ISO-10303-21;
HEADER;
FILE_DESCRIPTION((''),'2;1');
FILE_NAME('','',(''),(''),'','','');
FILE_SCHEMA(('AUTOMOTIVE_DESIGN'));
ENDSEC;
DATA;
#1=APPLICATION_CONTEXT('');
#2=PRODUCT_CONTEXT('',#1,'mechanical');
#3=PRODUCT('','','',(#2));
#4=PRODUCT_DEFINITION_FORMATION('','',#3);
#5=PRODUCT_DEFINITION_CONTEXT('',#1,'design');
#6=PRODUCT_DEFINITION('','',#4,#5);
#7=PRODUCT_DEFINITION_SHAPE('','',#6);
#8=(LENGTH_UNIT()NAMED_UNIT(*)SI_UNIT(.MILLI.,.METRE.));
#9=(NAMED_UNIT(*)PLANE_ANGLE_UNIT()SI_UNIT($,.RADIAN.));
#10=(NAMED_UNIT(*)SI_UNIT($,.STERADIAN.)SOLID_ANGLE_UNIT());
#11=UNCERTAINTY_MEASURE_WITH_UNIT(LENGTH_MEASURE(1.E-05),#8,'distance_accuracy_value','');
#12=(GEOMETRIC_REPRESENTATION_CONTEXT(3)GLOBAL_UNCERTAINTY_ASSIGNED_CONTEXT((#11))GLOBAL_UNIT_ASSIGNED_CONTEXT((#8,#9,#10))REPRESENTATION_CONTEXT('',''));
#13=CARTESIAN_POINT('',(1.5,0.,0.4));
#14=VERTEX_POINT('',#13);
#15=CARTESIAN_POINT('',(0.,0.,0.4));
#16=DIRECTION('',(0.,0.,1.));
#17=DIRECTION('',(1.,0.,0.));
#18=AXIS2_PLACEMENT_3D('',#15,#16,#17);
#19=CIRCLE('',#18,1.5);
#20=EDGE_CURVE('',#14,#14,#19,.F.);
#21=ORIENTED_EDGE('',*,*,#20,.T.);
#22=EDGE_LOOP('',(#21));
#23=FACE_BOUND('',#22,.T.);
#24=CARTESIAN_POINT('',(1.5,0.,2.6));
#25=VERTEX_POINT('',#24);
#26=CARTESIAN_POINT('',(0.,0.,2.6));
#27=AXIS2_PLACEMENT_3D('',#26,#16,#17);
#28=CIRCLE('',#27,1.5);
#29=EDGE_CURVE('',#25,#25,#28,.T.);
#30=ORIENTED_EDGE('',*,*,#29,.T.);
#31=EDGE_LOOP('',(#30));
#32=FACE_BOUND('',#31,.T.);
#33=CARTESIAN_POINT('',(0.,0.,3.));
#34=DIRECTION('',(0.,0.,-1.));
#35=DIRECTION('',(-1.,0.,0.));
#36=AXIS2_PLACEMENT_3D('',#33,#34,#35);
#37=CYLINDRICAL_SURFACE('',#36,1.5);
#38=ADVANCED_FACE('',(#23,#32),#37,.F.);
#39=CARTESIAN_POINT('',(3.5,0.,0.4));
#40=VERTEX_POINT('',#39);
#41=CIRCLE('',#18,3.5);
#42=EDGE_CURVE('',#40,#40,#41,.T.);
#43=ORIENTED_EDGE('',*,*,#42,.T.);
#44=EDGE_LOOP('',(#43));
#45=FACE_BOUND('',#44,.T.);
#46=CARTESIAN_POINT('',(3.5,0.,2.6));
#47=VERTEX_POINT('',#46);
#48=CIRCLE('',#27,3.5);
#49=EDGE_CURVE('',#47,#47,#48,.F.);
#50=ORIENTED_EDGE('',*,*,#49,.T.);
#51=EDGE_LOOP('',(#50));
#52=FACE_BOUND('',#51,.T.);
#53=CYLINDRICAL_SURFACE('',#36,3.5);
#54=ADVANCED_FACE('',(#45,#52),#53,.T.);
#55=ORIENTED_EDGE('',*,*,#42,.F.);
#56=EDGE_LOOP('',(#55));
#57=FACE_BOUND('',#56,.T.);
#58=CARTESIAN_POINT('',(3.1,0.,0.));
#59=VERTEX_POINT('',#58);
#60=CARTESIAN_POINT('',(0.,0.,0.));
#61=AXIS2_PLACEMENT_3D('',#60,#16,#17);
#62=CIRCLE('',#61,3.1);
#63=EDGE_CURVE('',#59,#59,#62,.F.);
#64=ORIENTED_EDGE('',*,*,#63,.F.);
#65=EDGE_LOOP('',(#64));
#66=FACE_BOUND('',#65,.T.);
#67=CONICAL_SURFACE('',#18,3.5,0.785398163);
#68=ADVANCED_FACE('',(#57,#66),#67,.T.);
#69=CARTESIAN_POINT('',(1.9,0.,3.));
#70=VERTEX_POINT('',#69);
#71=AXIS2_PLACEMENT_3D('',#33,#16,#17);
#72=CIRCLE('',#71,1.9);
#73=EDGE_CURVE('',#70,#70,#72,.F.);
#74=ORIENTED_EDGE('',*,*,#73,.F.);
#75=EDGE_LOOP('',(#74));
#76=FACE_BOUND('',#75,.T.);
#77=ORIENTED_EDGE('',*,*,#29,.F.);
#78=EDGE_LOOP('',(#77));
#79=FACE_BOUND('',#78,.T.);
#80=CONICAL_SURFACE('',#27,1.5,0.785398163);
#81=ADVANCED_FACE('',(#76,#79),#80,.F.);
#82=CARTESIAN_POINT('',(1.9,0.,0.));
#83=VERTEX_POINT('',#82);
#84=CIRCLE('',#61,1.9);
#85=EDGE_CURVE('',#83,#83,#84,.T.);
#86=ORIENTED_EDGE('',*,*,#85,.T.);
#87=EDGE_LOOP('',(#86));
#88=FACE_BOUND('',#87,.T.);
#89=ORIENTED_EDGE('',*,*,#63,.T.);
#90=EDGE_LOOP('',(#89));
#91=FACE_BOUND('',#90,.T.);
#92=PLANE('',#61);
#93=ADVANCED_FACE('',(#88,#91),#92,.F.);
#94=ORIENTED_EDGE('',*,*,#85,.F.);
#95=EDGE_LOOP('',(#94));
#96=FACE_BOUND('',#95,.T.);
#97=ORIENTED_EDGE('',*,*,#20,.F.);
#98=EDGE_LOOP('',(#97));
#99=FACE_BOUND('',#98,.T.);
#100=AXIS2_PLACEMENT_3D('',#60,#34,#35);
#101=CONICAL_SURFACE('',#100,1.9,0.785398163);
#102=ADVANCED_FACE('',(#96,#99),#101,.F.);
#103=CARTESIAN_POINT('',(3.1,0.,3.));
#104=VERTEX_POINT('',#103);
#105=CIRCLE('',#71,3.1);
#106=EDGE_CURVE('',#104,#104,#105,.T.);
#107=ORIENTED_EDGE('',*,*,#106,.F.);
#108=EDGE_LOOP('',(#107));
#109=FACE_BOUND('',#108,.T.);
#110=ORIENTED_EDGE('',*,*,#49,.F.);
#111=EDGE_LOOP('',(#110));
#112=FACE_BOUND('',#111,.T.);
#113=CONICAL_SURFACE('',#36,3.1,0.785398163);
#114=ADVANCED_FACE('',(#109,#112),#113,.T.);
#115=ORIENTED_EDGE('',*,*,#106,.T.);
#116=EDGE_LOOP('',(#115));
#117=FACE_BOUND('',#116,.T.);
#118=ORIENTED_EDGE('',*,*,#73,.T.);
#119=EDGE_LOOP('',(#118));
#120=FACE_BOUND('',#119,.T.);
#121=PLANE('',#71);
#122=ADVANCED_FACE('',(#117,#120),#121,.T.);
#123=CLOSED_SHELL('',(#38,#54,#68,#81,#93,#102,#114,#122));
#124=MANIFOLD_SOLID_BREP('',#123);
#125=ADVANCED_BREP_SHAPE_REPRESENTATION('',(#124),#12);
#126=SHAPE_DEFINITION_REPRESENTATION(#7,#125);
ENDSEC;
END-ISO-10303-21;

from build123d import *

# Parameters (mm, degrees)
SKETCH_1_R      = 3.5
SKETCH_1_R_2    = 1.5
EXTRUDE_1_DEPTH = 3
CHAMFER_1_SIZE  = 0.4


with BuildPart() as part:
    # 草图1 → 凸台-拉伸1 (new body)
    with BuildSketch(Plane.XY):
        Circle(SKETCH_1_R)
        Circle(SKETCH_1_R_2, mode=Mode.SUBTRACT)
    extrude(amount=EXTRUDE_1_DEPTH)

    # 倒角1
    chamfer_1_edges = [part.edges().sort_by_distance(p)[0] for p in [
        (-3.5, 0, 0),
        (-3.5, 0, 3),
        (-1.5, 0, 0),
        (-1.5, 0, 3),
    ]]
    chamfer(chamfer_1_edges, length=CHAMFER_1_SIZE)


solid = part.part
